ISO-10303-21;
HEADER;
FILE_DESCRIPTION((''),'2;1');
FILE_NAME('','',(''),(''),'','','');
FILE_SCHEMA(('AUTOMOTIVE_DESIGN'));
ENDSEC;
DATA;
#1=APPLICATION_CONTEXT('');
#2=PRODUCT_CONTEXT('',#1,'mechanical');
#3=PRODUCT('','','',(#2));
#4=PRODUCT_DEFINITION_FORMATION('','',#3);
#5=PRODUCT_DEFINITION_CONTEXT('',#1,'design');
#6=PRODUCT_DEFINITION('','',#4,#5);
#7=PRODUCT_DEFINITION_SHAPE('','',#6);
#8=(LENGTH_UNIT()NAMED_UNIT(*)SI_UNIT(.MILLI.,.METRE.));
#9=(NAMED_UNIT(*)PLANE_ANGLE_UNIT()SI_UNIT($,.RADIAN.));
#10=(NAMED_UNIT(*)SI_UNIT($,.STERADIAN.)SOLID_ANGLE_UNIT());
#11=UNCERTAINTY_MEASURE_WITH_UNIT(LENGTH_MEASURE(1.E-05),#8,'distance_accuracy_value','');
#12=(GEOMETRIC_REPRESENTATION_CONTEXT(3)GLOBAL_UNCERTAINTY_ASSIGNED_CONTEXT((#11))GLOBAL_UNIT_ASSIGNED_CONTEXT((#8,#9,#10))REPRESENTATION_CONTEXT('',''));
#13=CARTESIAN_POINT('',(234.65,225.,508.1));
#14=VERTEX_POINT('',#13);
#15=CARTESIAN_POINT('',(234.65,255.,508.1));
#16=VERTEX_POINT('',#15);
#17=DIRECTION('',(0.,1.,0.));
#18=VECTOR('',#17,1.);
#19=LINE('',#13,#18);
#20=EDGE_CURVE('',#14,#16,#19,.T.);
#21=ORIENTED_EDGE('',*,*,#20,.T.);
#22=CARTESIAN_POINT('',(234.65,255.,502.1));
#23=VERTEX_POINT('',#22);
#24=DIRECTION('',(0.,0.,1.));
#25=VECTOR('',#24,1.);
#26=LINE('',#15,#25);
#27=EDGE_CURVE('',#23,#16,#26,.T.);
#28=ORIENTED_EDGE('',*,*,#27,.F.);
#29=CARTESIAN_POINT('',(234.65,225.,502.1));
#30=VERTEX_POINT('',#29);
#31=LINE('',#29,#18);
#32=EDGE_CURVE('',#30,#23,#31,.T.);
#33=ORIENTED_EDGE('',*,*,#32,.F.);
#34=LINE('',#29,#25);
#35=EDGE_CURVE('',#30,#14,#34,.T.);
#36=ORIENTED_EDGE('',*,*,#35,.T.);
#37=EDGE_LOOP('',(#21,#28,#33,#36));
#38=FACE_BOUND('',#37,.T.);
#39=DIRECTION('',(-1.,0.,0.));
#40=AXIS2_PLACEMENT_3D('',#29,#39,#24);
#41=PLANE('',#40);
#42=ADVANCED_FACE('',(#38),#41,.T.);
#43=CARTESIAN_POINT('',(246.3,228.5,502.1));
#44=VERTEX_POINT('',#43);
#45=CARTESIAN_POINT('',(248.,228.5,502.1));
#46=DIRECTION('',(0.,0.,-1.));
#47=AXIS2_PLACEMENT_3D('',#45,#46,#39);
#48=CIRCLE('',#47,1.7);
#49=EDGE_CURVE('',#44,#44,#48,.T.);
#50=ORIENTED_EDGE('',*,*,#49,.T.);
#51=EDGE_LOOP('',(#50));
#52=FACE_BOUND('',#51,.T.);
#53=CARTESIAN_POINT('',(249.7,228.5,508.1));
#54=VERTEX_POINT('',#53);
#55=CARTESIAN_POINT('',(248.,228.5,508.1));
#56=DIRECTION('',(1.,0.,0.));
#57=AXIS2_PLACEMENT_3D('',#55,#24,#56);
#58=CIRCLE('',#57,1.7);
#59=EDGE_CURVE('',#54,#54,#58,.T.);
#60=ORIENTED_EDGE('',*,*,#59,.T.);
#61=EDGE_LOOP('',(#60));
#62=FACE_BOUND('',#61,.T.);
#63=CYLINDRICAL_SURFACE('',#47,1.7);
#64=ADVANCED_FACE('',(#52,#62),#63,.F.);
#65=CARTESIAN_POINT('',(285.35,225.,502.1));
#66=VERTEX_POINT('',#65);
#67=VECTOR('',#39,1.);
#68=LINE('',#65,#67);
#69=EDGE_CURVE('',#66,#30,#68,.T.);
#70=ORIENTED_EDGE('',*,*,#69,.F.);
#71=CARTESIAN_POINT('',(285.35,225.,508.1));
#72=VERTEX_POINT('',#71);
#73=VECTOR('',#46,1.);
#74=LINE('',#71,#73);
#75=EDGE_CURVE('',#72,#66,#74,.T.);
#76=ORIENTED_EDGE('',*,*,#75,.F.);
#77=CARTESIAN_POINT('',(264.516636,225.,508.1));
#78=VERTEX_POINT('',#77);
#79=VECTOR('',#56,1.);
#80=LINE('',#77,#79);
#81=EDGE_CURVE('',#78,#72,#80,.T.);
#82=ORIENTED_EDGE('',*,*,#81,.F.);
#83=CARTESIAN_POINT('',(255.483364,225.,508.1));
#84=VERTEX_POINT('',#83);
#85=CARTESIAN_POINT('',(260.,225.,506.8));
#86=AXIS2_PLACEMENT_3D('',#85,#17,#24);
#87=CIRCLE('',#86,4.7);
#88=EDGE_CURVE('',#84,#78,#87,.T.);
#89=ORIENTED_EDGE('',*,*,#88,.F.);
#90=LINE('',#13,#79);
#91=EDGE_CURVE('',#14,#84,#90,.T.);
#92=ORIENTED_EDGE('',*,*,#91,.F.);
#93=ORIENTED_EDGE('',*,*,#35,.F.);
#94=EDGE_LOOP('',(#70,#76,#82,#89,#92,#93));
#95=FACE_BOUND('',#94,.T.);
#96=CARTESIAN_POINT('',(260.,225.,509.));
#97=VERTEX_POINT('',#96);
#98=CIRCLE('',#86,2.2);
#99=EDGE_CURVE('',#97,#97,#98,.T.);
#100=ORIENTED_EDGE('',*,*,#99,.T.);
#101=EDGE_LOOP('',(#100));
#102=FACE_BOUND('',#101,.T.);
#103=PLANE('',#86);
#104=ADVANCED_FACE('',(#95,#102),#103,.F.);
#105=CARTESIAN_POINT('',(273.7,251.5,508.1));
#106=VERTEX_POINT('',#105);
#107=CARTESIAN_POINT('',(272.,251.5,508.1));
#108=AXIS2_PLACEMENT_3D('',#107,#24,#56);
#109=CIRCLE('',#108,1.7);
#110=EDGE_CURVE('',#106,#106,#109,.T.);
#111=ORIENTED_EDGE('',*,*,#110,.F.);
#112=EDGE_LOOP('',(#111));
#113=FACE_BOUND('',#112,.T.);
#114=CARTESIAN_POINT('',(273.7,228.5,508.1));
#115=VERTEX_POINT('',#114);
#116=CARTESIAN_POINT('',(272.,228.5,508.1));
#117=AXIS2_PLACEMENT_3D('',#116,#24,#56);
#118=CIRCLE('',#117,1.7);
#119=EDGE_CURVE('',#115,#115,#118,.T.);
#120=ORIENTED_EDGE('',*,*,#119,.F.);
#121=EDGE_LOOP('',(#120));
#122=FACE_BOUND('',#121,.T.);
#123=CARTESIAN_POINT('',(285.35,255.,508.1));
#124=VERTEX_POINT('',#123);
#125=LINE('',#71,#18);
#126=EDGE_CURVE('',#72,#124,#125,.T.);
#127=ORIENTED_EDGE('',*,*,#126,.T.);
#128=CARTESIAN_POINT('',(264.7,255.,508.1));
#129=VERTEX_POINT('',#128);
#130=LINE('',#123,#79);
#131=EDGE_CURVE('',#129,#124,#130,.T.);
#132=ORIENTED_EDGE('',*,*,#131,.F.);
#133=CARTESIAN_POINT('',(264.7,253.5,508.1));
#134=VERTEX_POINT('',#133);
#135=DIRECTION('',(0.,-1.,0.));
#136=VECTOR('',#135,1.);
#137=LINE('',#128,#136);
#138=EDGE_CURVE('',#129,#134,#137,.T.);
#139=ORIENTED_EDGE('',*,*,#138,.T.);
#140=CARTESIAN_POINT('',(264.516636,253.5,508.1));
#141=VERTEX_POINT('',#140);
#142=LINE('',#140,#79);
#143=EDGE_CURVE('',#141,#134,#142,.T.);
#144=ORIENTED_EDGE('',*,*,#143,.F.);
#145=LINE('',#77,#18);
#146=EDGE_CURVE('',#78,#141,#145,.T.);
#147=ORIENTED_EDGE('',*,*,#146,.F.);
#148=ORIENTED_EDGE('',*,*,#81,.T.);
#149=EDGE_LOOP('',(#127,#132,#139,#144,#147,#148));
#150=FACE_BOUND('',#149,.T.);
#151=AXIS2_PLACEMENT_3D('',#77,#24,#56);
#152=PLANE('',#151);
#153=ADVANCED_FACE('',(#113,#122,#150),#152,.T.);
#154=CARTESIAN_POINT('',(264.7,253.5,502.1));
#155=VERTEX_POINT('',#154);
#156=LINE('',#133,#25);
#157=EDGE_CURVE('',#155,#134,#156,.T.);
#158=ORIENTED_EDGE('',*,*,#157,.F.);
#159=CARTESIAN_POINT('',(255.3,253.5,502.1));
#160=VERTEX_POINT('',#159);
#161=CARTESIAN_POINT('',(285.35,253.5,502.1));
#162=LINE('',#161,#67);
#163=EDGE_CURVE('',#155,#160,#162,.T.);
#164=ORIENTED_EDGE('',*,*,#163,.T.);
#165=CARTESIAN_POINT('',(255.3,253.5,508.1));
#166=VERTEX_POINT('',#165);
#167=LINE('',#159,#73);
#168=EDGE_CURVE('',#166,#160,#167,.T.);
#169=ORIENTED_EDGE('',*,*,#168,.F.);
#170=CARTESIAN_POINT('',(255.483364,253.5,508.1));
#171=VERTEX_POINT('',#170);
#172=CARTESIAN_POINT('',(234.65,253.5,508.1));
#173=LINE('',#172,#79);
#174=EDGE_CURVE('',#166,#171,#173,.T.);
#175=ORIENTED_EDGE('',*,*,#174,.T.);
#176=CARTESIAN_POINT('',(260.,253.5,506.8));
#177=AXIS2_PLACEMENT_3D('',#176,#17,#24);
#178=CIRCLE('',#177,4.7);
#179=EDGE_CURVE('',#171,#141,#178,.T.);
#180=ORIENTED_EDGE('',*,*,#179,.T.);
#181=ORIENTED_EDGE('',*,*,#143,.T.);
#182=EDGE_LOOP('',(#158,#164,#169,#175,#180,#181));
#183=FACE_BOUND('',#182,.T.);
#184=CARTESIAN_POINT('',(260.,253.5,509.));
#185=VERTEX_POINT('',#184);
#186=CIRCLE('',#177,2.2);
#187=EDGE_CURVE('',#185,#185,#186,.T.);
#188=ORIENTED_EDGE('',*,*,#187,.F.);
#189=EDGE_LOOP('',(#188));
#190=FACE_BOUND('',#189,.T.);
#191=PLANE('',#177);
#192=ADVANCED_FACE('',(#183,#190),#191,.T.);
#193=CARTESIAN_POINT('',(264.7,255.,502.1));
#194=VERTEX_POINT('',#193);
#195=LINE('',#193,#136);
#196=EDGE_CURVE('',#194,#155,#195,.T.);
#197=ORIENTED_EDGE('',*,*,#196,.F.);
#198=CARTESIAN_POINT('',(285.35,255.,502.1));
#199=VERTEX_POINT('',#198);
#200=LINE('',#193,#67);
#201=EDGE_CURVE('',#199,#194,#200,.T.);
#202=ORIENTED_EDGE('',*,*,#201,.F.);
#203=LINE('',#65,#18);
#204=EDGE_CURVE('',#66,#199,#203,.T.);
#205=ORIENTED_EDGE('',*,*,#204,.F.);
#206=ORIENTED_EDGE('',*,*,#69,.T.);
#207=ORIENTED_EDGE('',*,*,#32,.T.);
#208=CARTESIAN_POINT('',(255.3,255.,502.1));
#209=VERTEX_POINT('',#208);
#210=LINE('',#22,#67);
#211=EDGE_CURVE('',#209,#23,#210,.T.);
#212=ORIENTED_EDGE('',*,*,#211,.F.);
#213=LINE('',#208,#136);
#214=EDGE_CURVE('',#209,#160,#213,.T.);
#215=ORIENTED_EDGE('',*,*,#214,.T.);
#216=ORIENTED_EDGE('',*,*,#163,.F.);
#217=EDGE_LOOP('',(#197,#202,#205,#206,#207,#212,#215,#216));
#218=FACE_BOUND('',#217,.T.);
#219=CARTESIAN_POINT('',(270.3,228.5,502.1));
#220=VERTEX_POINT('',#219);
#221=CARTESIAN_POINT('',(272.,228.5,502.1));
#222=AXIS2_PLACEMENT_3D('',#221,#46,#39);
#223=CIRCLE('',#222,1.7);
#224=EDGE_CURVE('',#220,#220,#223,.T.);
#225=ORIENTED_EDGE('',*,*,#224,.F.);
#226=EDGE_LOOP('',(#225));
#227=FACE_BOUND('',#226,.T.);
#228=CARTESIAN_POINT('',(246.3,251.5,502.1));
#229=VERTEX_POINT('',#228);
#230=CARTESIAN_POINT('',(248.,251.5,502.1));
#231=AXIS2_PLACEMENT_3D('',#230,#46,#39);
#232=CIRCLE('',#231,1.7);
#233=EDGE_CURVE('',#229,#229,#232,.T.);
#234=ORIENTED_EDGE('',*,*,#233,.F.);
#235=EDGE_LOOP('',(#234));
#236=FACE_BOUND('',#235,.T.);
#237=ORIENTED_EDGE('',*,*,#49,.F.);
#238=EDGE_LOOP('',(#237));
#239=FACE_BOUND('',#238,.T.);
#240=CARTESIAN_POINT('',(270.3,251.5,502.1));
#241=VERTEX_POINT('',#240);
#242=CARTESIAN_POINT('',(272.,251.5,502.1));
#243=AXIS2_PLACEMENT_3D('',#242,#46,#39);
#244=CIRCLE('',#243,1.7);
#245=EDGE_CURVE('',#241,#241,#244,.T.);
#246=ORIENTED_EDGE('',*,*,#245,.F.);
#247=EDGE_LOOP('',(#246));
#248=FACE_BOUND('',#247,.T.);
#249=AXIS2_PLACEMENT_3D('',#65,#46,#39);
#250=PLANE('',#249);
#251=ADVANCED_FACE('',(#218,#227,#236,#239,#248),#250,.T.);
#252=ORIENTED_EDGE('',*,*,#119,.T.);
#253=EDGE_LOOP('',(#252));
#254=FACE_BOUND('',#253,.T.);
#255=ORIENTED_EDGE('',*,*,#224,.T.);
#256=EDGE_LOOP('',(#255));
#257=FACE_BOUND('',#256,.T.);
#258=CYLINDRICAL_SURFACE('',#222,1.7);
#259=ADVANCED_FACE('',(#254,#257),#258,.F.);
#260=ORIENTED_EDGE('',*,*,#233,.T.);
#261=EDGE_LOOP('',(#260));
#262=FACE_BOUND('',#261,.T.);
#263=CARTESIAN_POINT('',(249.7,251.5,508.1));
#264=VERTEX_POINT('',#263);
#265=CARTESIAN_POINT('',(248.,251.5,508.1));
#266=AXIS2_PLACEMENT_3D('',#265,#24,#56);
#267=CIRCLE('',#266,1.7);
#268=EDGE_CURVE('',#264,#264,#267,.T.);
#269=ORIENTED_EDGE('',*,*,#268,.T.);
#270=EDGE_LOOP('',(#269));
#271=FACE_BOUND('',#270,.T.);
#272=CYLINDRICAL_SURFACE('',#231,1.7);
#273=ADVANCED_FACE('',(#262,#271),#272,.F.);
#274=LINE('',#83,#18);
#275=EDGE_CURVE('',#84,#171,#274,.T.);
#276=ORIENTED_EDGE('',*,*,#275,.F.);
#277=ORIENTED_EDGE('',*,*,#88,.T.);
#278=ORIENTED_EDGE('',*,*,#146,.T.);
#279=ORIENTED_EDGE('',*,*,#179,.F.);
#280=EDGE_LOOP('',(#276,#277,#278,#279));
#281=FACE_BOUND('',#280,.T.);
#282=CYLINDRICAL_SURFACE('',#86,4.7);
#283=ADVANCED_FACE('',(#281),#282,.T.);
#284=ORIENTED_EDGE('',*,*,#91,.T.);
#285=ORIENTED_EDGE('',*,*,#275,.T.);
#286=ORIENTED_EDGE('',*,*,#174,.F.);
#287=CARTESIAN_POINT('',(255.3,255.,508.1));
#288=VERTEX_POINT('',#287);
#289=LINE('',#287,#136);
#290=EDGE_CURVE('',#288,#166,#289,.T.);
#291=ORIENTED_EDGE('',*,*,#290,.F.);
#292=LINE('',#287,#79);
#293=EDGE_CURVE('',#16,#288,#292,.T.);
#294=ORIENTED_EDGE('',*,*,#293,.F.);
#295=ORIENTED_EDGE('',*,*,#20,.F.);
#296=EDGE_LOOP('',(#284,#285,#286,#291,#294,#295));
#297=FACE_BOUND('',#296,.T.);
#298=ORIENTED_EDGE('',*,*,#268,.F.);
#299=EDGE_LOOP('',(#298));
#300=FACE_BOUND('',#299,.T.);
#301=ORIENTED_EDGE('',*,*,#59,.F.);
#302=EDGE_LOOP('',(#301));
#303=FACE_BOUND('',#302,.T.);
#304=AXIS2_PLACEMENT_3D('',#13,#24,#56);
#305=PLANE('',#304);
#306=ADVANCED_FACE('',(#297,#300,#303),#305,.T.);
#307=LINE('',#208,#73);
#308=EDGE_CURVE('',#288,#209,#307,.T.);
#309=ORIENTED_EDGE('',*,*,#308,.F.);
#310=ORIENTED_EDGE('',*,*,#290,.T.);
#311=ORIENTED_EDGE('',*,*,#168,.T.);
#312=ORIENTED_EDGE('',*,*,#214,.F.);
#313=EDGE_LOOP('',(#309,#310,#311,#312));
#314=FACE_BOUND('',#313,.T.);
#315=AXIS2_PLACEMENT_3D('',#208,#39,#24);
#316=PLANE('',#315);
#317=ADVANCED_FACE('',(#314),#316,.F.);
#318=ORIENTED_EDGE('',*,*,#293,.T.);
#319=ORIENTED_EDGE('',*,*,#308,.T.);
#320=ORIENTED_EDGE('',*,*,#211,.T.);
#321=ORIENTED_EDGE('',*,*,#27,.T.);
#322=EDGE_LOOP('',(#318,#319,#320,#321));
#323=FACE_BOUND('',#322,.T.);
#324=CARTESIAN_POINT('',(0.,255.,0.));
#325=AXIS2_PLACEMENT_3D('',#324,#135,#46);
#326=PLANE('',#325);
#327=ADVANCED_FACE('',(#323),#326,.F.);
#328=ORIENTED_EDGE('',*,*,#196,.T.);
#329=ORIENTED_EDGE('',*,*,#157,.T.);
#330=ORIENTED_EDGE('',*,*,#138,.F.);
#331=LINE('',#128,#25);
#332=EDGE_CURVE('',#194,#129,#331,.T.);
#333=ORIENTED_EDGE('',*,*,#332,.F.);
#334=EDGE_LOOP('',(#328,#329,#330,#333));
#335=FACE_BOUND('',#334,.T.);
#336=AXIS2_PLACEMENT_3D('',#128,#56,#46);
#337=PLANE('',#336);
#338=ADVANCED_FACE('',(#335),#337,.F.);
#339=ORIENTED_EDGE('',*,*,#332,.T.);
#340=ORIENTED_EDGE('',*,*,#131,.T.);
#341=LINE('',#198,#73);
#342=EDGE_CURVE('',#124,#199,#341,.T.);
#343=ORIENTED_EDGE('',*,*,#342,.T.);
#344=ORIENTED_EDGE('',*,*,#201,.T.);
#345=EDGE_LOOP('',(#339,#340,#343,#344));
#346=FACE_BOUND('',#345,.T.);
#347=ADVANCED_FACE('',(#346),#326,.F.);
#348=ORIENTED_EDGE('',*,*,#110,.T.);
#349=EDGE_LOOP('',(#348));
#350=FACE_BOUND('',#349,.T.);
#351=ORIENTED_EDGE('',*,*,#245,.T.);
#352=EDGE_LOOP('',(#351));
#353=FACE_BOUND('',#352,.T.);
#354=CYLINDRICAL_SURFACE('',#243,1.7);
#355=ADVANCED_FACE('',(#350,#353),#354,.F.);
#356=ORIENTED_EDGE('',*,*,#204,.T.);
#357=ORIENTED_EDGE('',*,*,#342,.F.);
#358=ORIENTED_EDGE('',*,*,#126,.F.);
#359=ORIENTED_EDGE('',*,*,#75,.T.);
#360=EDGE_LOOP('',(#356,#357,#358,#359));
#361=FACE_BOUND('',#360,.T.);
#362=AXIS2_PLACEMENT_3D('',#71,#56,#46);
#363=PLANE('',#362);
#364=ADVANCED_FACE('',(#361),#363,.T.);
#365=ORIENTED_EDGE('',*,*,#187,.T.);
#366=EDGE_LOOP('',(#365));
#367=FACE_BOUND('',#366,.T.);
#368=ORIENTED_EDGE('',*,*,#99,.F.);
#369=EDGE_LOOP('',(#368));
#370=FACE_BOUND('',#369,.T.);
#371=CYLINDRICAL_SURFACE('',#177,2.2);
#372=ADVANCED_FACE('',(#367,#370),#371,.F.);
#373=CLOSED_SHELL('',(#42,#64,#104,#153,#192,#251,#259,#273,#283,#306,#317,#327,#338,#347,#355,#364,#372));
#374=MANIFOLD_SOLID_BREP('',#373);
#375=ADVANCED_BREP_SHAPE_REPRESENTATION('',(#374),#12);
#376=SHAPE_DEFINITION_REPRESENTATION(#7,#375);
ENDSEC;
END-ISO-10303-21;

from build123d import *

# Parameters (mm, degrees)
EXTRUDE_1_DEPTH             = 28.5
SKETCH_2_W                  = 20.65
SKETCH_2_H                  = 6
EXTRUDE_2_DEPTH             = 1.5
SKETCH_3_W                  = 20.65
SKETCH_3_H                  = 6
EXTRUDE_3_DEPTH             = 1.5
HOLE_WIZARD_4_4_4_4_1_D     = 4.4
HOLE_WIZARD_4_4_4_4_1_DEPTH = 28.5
HOLE_WIZARD_3_4_3_4_1_D     = 3.4
HOLE_WIZARD_3_4_3_4_1_DEPTH = 9.4


with BuildPart() as part:
    # 草图1 → 凸台-拉伸1 (new body)
    with BuildSketch(Plane(origin=(0, 253.5, 0), x_dir=(1, 0, 0), z_dir=(0, 1, 0))):
        with BuildLine():
            Line((264.516635916, -508.1), (285.35, -508.1))
            Line((285.35, -508.1), (285.35, -502.1))
            Line((285.35, -502.1), (234.65, -502.1))
            Line((234.65, -502.1), (234.65, -508.1))
            Line((234.65, -508.1), (255.483364084, -508.1))
            ThreePointArc((255.483364084, -508.1), (260, -511.5), (264.516635916, -508.1))
        make_face()
    extrude(amount=-EXTRUDE_1_DEPTH)

    # 草图2 → 凸台-拉伸2 (add)
    with BuildSketch(Plane(origin=(0, 253.5, 0), x_dir=(-1, 0, 0), z_dir=(0, 1, 0))):
        with Locations((-275.025, 505.1)):
            Rectangle(SKETCH_2_W, SKETCH_2_H)
    extrude(amount=EXTRUDE_2_DEPTH)

    # 草图3 → 凸台-拉伸3 (add)
    with BuildSketch(Plane(origin=(0, 253.5, 0), x_dir=(-1, 0, 0), z_dir=(0, 1, 0))):
        with Locations((-244.975, 505.1)):
            Rectangle(SKETCH_3_W, SKETCH_3_H)
    extrude(amount=EXTRUDE_3_DEPTH)

    # Ø4.4 (4.4) 直径孔1
    with Locations(Plane(origin=(0, 253.5, 0), x_dir=(1, 0, 0), z_dir=(0, 1, 0))):
        with Locations((260, -506.8)):
            Hole(HOLE_WIZARD_4_4_4_4_1_D / 2, depth=HOLE_WIZARD_4_4_4_4_1_DEPTH)

    # Ø3.4 (3.4) 直径孔1
    with Locations(Plane(origin=(0, 0, 502.1), x_dir=(-1, 0, 0), z_dir=(0, 0, -1))):
        with Locations((-248, 228.5), (-248, 251.5), (-272, 251.5), (-272, 228.5)):
            Hole(HOLE_WIZARD_3_4_3_4_1_D / 2, depth=HOLE_WIZARD_3_4_3_4_1_DEPTH)


solid = part.part
